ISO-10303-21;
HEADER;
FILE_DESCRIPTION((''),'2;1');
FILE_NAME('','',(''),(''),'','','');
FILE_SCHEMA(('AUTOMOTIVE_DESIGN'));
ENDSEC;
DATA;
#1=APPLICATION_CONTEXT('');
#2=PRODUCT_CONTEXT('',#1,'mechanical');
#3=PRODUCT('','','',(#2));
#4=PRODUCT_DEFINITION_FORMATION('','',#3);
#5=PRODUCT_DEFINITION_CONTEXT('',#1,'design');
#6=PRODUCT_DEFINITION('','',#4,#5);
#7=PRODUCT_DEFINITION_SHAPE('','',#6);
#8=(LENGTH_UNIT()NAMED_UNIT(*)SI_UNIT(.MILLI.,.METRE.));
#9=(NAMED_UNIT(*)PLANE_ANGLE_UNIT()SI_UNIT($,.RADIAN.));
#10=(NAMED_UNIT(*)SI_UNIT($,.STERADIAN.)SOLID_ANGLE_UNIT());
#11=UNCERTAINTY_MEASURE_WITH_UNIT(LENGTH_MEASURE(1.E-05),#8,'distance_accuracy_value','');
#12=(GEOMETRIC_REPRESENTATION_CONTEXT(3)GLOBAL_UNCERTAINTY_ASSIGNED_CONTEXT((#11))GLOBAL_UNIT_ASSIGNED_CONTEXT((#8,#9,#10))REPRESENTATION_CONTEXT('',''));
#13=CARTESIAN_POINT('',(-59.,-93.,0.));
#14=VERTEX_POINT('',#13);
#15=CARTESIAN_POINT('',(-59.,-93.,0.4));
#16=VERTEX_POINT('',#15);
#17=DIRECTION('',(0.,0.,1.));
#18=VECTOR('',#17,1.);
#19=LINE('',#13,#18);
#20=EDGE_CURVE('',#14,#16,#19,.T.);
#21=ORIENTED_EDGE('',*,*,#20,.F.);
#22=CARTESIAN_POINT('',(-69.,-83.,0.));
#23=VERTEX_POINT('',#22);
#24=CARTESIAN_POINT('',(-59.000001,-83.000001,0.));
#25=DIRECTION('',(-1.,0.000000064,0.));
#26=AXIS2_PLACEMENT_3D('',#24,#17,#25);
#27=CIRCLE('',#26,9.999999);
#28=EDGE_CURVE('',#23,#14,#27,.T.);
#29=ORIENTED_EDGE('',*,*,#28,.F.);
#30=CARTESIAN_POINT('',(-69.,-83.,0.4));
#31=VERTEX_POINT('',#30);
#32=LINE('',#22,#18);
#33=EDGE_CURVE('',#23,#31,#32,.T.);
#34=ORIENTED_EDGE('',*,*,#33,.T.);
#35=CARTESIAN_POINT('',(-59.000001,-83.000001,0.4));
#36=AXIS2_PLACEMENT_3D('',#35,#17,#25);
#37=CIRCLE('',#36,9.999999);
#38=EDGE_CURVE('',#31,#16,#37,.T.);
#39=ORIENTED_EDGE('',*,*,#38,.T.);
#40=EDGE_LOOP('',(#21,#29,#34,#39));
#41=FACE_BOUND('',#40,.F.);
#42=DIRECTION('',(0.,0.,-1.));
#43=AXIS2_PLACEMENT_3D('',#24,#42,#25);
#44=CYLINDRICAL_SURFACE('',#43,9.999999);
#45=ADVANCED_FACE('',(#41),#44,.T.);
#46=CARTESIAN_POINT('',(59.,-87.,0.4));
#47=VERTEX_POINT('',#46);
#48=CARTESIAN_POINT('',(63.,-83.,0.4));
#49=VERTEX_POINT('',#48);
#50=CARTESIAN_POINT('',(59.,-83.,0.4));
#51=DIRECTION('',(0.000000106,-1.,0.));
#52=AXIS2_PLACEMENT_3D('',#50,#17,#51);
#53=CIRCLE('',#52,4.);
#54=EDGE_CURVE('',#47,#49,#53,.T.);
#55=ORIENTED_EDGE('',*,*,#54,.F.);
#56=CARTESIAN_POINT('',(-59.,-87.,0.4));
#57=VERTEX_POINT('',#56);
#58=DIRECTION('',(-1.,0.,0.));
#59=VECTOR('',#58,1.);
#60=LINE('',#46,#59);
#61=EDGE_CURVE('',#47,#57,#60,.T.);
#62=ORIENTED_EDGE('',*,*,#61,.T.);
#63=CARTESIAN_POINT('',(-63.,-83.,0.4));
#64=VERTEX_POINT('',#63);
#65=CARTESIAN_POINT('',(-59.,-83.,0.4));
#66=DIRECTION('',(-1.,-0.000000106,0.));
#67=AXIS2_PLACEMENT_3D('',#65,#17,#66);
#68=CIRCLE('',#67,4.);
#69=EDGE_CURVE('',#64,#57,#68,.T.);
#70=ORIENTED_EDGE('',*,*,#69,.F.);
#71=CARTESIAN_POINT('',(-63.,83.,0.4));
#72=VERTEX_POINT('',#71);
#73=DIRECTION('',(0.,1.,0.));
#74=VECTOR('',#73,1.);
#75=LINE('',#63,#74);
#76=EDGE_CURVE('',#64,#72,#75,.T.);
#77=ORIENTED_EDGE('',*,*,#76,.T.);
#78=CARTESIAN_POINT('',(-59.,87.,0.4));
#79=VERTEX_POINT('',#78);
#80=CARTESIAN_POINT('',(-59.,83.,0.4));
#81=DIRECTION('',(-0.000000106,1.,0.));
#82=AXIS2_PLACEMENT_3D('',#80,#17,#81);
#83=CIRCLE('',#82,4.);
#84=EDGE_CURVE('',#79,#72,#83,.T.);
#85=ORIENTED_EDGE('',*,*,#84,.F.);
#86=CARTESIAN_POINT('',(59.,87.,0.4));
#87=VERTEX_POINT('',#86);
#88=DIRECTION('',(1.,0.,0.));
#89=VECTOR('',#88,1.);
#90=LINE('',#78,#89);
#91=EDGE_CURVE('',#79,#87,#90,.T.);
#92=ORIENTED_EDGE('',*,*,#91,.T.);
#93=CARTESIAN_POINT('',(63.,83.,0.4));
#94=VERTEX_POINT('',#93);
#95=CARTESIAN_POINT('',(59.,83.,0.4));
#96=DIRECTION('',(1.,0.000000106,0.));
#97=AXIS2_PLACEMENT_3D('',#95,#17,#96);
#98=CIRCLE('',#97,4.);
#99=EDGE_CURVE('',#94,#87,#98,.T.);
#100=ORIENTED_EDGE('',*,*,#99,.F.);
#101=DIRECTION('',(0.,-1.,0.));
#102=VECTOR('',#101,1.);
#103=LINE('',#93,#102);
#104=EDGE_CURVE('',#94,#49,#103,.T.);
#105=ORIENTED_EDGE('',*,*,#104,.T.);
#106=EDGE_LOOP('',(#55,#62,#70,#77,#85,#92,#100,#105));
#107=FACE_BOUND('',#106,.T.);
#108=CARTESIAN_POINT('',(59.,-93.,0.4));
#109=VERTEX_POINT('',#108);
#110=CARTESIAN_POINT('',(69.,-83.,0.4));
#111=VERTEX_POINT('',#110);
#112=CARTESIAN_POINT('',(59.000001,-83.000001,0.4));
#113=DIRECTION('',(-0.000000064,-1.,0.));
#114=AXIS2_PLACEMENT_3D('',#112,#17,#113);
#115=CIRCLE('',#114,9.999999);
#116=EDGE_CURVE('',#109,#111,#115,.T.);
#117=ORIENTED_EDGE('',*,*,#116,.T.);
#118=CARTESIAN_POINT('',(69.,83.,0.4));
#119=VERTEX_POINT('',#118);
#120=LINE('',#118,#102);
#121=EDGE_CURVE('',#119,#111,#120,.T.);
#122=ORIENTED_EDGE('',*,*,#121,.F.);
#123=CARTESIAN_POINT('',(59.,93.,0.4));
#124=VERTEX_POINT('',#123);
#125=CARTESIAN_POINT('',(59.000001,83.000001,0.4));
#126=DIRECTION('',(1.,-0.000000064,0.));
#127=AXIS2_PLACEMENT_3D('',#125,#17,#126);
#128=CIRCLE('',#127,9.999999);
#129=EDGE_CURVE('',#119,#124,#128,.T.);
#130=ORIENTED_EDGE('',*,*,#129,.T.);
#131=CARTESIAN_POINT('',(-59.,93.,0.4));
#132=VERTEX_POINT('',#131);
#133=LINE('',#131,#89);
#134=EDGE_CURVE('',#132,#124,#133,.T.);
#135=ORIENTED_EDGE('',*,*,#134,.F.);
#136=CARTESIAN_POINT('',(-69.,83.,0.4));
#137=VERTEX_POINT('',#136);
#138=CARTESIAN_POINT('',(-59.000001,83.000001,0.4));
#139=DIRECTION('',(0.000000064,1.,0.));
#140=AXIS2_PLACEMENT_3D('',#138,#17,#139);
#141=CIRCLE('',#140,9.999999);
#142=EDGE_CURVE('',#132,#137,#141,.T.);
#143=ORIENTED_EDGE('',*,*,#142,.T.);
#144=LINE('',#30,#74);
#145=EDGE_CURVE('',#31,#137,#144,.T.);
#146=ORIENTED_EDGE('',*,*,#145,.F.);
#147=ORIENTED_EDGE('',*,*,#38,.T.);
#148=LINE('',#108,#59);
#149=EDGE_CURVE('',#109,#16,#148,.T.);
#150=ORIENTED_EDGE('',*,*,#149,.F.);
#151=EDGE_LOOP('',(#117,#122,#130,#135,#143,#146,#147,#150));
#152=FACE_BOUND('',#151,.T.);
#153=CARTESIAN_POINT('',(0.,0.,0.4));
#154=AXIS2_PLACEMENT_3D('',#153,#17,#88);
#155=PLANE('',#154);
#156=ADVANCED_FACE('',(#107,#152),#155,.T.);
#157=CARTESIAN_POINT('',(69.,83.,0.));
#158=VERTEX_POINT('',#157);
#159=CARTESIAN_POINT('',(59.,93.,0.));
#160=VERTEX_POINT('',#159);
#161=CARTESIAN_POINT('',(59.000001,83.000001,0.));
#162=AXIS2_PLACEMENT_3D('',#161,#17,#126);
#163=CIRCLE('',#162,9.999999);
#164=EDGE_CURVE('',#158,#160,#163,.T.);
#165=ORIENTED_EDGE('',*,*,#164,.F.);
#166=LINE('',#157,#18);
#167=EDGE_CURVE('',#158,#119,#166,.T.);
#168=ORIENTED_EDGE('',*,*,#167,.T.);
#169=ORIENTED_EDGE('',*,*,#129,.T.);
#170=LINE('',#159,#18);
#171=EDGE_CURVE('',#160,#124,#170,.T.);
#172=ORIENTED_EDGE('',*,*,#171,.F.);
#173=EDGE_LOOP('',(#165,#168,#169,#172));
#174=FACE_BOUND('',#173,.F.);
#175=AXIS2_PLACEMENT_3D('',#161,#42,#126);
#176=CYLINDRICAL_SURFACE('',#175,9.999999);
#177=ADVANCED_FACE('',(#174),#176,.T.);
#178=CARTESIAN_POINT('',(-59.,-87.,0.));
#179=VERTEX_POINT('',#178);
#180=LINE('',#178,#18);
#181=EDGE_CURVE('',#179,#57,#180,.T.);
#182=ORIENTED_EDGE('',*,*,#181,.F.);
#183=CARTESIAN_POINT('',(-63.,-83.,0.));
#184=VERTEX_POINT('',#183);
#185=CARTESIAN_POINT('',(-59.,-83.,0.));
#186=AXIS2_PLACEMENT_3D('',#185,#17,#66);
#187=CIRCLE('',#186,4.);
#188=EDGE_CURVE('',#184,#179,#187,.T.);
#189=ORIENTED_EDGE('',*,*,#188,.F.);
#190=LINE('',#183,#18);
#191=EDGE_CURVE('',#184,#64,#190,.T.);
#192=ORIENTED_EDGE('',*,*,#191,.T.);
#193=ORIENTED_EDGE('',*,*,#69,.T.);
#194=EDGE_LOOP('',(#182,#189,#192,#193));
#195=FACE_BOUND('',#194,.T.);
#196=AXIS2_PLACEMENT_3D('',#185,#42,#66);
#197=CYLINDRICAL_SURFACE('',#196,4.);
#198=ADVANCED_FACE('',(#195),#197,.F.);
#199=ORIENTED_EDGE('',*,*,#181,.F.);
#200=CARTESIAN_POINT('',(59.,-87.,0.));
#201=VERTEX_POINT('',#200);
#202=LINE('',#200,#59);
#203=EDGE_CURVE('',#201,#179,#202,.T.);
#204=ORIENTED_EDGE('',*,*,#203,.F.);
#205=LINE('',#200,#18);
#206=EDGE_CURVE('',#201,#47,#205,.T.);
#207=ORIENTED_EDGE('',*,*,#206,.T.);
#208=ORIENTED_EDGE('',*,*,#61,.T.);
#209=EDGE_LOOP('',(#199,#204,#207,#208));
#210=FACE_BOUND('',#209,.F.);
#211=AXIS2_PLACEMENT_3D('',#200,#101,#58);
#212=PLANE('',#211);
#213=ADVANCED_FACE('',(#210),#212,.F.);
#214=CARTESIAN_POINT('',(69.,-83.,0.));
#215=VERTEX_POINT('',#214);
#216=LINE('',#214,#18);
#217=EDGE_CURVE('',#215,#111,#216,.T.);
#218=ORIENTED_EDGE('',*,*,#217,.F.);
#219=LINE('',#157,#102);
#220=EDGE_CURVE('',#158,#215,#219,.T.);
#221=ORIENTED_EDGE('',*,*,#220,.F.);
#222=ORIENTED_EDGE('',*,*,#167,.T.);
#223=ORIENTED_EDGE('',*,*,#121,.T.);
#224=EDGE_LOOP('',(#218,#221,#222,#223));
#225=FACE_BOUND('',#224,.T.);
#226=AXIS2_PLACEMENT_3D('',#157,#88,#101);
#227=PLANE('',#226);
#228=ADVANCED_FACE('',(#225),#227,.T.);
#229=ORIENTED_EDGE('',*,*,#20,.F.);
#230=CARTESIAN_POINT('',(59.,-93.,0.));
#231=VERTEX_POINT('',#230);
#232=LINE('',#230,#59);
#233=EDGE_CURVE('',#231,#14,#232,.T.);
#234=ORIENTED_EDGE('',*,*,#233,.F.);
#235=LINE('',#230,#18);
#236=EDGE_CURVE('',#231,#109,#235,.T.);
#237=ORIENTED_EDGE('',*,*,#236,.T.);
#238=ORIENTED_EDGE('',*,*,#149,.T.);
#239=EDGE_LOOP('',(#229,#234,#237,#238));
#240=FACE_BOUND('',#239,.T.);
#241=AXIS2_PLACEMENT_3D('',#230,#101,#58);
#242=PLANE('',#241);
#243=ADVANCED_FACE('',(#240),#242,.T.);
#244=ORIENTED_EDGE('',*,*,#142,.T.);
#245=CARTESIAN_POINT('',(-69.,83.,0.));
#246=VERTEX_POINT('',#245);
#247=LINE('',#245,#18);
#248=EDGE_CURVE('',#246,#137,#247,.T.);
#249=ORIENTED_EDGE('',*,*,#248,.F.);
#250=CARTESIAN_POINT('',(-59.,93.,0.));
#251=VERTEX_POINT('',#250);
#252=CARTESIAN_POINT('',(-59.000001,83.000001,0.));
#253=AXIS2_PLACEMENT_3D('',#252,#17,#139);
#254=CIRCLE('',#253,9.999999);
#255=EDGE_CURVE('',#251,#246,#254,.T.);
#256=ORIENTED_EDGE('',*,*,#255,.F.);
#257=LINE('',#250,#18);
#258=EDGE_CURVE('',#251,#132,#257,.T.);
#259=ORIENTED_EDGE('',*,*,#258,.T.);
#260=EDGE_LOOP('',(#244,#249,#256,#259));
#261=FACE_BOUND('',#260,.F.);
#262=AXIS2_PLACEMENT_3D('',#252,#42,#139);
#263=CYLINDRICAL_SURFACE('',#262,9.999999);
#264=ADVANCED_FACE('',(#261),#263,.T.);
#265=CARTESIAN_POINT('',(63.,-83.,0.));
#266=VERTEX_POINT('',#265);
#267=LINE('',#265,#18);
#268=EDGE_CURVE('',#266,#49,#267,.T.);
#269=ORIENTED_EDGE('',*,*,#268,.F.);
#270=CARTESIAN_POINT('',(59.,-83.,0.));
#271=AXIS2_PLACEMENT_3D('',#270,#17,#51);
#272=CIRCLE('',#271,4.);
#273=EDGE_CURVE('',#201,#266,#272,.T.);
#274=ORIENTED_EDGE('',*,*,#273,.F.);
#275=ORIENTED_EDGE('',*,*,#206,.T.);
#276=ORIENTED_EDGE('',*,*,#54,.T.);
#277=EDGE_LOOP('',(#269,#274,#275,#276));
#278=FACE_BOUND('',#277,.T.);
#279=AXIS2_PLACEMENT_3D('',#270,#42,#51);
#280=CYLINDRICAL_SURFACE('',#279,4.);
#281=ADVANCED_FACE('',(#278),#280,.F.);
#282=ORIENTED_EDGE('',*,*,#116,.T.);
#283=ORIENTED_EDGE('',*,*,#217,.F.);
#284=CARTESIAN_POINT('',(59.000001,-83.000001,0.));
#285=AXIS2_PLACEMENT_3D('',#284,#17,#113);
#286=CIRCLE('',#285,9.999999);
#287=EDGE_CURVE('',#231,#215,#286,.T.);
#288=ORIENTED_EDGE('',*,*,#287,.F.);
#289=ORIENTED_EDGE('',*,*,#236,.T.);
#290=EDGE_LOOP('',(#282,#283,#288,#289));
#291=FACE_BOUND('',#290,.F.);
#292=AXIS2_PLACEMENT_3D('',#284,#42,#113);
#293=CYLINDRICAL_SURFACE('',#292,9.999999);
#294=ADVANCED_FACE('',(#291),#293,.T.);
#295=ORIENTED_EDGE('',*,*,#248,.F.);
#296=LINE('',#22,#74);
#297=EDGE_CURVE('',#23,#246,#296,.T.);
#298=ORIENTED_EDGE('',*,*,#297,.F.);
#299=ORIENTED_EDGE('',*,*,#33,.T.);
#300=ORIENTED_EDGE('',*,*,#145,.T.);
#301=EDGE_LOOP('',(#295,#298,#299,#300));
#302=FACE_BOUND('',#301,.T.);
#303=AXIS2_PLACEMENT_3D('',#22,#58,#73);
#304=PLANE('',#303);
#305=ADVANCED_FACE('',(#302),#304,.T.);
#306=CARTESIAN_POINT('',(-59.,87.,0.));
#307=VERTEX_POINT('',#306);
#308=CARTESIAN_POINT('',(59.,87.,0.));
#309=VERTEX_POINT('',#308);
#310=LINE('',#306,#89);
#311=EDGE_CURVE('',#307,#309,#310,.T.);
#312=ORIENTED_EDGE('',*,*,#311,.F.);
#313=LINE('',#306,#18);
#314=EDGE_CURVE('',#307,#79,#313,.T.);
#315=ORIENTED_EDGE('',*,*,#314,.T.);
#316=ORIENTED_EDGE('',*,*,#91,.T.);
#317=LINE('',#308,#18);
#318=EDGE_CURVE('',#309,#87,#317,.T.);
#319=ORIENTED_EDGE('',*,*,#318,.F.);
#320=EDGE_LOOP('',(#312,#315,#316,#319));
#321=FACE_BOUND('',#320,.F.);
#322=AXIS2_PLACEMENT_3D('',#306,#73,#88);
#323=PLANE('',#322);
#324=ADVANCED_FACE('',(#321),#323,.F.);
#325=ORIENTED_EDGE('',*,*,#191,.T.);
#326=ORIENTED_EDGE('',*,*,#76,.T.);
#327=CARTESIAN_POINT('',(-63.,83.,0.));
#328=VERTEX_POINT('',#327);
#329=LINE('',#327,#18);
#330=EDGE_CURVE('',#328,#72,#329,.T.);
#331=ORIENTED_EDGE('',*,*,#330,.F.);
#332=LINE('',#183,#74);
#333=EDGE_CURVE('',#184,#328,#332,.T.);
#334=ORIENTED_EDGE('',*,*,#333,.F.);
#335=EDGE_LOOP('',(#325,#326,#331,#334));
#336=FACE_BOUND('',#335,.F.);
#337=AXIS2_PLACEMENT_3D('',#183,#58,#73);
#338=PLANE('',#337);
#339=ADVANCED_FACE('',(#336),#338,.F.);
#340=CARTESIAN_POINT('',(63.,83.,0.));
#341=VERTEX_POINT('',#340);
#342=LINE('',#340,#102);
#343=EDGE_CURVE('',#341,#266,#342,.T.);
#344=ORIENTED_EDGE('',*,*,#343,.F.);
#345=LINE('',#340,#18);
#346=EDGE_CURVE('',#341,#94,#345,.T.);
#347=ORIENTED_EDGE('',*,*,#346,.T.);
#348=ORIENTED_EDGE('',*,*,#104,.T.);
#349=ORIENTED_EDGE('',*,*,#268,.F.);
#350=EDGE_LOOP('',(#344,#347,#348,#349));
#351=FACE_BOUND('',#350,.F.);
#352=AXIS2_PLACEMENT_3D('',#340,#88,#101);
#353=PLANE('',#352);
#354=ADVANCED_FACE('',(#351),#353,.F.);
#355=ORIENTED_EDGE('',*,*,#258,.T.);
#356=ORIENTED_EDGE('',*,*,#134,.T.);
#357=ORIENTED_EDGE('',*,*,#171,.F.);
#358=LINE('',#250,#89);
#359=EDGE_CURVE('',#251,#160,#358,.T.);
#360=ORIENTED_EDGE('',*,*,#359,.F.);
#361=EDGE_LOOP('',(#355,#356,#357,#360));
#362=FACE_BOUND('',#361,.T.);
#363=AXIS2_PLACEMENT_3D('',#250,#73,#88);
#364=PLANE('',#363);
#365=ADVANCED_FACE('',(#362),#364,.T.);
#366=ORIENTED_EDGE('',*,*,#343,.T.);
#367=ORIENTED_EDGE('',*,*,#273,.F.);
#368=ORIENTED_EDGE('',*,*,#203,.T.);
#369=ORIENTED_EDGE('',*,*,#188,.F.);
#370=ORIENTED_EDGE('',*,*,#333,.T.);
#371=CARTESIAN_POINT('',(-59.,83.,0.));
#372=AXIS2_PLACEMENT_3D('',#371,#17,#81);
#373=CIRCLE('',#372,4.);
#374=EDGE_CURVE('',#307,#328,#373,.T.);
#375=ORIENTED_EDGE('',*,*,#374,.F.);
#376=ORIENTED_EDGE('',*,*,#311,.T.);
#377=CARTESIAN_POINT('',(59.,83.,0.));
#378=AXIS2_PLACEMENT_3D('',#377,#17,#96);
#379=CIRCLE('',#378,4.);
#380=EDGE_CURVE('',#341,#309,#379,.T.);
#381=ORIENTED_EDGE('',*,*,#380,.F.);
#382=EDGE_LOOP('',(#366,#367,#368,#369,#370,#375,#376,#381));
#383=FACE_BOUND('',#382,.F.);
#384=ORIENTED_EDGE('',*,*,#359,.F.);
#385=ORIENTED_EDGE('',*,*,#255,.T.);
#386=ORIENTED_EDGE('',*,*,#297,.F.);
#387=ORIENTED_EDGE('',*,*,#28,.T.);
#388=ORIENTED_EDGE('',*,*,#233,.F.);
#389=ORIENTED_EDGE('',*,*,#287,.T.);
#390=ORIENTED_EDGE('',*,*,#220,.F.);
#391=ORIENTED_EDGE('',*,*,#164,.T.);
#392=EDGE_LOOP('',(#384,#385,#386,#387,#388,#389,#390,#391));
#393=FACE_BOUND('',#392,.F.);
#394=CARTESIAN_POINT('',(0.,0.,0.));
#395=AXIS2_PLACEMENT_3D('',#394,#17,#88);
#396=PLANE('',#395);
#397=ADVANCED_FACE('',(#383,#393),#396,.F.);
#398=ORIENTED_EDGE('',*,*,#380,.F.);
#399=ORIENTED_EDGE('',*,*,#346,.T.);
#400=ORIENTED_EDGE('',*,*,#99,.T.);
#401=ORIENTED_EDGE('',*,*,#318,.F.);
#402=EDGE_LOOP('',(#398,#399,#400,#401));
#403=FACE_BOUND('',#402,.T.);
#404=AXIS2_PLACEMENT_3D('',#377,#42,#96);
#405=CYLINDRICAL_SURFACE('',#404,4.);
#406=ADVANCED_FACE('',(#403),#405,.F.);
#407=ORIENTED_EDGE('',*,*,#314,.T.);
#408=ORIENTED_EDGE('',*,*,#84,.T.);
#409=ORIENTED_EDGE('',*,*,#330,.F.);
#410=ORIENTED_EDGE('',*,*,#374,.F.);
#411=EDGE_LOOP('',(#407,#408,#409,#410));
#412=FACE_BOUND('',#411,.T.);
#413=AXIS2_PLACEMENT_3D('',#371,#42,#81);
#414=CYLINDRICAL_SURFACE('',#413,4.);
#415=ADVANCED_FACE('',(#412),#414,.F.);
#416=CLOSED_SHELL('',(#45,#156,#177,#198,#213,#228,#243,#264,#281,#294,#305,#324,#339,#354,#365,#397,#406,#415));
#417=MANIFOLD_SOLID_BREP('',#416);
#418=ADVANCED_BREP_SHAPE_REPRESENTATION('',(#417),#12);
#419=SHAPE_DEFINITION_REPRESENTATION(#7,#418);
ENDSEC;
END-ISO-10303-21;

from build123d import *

# Parameters (mm, degrees)
PAD_DEPTH = 0.4


with BuildPart() as part:
    # Sketch → Pad (new body)
    with BuildSketch(Plane.XY):
        with BuildLine():
            ThreePointArc((-59, 93), (-66.071068, 90.071068), (-69, 83))
            Line((-69, -83), (-69, 83))
            ThreePointArc((-69, -83), (-66.071068, -90.071068), (-59, -93))
            Line((59, -93), (-59, -93))
            ThreePointArc((59, -93), (66.071068, -90.071068), (69, -83))
            Line((69, 83), (69, -83))
            ThreePointArc((69, 83), (66.071068, 90.071068), (59, 93))
            Line((-59, 93), (59, 93))
        make_face()
        with BuildLine():
            ThreePointArc((-59, 87), (-61.828427, 85.828427), (-63, 83))
            Line((-63, -83), (-63, 83))
            ThreePointArc((-63, -83), (-61.828427, -85.828427), (-59, -87))
            Line((59, -87), (-59, -87))
            ThreePointArc((59, -87), (61.828427, -85.828427), (63, -83))
            Line((63, 83), (63, -83))
            ThreePointArc((63, 83), (61.828427, 85.828427), (59, 87))
            Line((-59, 87), (59, 87))
        make_face(mode=Mode.SUBTRACT)
    extrude(amount=PAD_DEPTH)


solid = part.part
